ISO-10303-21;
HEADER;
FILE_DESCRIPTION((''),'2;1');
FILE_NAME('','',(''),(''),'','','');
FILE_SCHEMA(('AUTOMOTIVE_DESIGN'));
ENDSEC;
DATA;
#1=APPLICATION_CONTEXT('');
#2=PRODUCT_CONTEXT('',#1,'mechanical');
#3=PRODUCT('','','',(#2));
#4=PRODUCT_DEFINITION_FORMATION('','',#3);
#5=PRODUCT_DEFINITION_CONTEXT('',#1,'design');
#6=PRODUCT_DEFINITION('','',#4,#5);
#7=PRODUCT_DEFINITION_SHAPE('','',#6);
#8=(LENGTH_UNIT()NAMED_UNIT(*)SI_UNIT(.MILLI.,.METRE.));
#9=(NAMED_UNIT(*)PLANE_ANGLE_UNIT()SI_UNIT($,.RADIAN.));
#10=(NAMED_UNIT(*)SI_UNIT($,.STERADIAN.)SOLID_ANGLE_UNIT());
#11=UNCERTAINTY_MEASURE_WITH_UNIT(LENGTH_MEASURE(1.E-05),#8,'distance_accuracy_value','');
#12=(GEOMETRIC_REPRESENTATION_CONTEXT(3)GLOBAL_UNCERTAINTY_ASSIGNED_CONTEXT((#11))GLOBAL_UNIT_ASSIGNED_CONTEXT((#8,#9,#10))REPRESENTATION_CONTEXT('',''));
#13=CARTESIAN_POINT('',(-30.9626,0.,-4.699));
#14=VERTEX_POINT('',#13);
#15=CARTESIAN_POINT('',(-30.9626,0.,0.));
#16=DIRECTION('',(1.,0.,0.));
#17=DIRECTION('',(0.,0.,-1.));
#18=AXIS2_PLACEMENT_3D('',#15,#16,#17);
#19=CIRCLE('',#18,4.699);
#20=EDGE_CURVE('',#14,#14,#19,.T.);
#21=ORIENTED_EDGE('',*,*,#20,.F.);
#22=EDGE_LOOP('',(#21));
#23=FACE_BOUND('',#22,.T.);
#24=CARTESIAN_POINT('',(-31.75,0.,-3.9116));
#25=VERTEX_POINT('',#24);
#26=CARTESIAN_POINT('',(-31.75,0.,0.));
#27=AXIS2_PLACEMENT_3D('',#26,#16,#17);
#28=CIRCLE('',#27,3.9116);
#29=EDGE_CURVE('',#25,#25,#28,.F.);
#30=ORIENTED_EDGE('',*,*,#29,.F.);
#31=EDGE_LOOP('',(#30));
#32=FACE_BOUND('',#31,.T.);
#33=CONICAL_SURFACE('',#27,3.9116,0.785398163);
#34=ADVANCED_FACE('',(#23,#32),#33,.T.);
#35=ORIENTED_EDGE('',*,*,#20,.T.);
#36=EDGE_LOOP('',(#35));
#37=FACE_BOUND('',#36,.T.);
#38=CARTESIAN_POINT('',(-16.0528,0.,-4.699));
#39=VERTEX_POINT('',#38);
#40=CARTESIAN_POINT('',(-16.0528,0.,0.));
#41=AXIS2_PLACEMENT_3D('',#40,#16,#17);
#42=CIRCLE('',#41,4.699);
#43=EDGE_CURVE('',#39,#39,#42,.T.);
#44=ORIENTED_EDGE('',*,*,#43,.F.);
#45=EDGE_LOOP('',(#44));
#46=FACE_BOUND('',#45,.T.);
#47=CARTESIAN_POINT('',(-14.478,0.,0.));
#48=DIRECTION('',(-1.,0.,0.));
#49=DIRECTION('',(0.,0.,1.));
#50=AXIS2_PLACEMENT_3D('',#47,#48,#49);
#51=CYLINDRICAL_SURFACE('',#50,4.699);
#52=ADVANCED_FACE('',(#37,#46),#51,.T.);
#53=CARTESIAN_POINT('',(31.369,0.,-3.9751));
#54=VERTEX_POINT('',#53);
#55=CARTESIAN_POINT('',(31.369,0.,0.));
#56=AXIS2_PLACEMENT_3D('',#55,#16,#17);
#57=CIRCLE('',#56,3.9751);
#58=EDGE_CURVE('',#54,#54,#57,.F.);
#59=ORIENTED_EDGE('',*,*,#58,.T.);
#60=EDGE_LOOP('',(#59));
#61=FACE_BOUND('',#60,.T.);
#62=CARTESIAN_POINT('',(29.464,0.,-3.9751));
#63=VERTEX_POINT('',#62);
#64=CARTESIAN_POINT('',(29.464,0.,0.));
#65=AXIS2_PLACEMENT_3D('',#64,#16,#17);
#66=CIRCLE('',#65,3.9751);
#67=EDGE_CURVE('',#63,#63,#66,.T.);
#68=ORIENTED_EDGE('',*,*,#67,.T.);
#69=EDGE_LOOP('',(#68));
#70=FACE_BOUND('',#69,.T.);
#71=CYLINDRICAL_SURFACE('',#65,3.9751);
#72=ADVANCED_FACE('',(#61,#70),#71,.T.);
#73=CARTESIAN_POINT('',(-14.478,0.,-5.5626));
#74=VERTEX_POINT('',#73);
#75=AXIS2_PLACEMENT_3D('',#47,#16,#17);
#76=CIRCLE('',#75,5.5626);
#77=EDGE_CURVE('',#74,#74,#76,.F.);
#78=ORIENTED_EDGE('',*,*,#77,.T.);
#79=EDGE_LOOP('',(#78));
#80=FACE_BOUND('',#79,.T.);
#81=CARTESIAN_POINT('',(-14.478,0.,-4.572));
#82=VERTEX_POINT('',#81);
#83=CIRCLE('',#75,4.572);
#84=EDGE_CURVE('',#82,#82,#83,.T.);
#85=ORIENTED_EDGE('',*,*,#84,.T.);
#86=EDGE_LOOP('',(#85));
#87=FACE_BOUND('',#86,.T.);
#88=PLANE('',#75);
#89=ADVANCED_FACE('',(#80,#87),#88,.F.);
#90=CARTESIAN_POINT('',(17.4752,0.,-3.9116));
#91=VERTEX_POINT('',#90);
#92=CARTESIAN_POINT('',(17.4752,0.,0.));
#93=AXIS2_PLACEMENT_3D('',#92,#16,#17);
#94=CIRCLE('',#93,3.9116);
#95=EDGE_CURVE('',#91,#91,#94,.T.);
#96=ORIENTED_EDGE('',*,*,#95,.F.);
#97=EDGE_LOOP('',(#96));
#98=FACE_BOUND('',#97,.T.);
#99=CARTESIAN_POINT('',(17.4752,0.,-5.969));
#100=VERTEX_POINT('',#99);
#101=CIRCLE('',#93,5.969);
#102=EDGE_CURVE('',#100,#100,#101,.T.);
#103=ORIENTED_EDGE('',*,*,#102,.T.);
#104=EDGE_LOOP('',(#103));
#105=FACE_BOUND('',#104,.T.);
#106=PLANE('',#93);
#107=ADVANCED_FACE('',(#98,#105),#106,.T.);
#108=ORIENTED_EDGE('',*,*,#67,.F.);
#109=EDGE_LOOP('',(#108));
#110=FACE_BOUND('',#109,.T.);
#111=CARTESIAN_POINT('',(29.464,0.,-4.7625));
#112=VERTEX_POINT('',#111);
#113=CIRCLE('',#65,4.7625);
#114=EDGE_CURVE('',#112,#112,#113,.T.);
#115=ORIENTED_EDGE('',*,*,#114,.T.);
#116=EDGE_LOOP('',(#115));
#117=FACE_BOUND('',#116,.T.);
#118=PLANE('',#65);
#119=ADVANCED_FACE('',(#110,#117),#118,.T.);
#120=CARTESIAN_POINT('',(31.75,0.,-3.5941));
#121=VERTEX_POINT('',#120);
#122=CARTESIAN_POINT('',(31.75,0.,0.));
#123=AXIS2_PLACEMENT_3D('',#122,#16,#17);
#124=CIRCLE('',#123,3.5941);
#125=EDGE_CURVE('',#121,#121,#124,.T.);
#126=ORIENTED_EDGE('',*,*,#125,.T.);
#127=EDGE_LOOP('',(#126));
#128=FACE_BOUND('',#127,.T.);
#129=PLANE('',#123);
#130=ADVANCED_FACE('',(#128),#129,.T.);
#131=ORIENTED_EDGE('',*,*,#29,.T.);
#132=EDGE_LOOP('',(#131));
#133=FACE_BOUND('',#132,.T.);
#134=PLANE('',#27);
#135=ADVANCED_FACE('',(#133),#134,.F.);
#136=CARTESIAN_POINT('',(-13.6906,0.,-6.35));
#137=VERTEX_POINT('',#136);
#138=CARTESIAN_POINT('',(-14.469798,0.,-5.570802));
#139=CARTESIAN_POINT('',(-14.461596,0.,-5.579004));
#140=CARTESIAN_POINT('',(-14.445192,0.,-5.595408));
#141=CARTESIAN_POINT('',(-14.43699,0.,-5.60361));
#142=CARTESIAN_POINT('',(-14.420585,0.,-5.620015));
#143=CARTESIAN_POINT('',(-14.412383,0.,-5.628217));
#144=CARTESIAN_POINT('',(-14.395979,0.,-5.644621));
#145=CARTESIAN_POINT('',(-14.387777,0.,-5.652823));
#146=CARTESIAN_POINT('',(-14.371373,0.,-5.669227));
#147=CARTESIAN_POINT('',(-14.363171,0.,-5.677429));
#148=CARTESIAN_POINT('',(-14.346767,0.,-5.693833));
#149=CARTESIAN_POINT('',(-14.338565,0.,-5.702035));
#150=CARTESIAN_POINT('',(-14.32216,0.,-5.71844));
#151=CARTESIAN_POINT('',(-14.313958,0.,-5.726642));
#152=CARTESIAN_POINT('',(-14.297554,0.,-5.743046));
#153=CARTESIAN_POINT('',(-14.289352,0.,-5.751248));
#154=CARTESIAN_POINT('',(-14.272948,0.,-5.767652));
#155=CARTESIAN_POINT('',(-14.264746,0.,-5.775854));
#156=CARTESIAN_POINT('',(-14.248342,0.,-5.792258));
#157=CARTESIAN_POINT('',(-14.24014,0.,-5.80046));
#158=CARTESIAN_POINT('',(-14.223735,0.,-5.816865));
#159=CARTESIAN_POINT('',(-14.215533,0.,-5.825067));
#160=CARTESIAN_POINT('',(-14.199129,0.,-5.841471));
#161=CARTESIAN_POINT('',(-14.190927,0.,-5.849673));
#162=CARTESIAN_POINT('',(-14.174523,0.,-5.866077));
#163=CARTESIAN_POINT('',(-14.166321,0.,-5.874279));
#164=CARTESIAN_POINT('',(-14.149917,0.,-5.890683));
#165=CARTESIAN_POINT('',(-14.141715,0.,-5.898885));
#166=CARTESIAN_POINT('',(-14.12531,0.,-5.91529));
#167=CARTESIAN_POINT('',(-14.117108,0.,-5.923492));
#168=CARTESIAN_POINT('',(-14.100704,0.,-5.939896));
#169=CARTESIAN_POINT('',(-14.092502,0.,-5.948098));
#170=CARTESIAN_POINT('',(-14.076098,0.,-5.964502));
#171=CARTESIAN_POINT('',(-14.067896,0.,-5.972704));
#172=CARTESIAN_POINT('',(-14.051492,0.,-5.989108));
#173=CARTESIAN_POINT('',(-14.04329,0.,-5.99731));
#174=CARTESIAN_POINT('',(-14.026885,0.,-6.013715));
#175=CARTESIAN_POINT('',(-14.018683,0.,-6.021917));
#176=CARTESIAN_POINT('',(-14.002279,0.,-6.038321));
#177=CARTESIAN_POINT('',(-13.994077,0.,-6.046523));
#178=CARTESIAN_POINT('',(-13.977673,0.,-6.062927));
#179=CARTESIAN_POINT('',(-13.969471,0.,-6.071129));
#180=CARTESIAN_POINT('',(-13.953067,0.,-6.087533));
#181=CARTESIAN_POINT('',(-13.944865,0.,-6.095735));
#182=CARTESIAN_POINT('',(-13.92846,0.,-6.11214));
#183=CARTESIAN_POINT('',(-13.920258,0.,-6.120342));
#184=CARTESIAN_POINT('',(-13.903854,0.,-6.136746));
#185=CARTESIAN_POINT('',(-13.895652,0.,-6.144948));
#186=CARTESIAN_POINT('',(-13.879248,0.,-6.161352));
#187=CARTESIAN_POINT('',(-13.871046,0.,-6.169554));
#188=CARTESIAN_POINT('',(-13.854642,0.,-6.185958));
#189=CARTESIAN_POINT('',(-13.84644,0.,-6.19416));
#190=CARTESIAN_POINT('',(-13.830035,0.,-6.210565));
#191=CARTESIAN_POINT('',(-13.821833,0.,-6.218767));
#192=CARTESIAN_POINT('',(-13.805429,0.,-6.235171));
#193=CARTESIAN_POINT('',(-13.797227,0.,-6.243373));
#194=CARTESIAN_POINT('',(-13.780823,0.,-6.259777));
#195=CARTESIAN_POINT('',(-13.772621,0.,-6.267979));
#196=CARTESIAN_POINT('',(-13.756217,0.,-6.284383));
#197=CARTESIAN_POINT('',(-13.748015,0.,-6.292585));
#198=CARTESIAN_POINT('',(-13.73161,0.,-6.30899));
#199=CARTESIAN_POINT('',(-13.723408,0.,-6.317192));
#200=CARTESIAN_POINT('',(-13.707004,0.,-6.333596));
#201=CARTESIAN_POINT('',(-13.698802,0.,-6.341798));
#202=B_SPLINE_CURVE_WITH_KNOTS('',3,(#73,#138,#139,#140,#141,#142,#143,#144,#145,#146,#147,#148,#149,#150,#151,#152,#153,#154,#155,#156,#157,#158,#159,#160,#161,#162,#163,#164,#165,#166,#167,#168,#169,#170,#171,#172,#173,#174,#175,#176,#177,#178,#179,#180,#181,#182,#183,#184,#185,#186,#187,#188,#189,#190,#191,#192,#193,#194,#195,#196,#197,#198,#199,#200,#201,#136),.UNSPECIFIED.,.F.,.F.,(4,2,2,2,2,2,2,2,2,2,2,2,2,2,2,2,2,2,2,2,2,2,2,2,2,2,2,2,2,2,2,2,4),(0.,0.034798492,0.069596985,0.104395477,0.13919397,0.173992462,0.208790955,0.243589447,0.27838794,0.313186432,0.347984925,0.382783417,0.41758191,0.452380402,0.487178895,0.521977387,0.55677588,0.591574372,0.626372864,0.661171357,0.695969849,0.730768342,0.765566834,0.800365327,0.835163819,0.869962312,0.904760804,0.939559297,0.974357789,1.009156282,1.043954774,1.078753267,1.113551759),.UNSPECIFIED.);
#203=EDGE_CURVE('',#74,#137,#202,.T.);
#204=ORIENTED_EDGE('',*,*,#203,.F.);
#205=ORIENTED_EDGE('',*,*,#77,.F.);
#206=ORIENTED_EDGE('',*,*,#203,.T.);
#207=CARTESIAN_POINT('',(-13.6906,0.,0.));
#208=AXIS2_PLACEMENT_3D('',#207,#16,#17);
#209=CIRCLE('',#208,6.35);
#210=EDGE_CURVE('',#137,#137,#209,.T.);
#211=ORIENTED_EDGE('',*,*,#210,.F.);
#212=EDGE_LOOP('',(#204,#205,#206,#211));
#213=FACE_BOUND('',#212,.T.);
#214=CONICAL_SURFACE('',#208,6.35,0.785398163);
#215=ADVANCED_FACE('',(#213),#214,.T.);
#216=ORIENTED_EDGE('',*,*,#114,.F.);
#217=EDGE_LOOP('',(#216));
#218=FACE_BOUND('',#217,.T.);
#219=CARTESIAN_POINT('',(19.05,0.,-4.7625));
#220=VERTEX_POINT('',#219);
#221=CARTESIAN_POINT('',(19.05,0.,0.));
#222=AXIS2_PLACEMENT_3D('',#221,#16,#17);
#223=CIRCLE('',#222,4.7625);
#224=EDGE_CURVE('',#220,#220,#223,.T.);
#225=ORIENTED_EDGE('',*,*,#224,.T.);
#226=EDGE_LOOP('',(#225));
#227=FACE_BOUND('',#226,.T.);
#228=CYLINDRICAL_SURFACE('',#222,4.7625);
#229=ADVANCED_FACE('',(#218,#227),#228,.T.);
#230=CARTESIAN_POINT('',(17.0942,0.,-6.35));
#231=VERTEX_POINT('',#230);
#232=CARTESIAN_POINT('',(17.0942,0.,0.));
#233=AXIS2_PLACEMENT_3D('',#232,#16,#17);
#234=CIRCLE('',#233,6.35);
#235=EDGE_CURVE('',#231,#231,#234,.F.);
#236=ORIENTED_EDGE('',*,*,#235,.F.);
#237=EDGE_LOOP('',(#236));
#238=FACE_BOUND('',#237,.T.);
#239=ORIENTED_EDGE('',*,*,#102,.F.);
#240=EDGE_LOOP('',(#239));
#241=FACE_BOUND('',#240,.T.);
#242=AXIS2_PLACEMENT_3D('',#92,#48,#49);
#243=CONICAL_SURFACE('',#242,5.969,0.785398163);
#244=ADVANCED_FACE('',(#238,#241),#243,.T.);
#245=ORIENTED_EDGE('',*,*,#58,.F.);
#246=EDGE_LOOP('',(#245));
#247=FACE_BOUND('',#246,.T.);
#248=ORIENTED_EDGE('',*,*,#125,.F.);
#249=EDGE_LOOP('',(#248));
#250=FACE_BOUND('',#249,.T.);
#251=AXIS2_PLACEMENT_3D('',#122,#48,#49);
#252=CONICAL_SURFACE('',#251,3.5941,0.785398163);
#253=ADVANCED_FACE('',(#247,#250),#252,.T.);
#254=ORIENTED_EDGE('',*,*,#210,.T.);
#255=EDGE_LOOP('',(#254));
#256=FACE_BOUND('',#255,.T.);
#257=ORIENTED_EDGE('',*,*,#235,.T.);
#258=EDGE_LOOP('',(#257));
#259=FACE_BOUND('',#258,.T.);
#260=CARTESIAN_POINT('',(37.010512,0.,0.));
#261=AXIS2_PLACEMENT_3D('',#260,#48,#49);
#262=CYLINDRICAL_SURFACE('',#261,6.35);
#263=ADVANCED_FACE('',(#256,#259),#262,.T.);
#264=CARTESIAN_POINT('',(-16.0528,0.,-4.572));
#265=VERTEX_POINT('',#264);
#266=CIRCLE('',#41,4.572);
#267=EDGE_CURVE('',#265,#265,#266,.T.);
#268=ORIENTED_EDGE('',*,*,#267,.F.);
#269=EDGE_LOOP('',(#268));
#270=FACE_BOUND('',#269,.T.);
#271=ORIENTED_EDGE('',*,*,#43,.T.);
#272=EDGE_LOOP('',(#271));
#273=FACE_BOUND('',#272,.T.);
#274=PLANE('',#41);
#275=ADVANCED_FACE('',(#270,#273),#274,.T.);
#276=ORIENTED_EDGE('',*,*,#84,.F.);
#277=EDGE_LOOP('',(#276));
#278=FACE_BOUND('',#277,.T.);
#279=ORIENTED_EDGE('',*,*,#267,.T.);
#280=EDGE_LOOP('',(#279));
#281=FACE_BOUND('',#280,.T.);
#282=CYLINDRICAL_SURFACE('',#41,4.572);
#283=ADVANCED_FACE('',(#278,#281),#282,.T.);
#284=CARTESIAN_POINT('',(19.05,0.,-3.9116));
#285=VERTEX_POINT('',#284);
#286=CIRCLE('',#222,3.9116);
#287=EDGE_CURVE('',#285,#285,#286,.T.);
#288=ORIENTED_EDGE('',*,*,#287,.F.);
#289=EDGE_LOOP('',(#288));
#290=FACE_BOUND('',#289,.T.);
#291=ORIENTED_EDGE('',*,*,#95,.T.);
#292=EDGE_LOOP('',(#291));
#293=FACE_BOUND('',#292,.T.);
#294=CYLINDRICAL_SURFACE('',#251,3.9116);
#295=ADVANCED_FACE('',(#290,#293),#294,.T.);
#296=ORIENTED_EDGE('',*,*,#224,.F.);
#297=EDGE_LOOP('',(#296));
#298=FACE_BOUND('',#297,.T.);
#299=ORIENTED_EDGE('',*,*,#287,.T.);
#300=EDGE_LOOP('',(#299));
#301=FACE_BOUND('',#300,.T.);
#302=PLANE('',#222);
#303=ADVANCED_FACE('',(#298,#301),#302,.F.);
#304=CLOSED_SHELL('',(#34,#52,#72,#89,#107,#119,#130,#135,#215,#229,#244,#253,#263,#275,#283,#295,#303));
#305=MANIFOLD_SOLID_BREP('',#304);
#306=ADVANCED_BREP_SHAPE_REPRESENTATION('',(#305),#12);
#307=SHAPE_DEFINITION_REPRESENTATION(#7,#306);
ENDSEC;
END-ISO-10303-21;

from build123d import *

# Parameters (mm, degrees)
SKETCH1_R           = 3.9116
BOSS_EXTRUDE1_DEPTH = 31.75
SKETCH2_R           = 4.699
BOSS_EXTRUDE2_DEPTH = 17.272
CUT_EXTRUDE1_START  = -1.5748
SKETCH3_R           = 4.699
SKETCH3_R_2         = 4.572
CUT_EXTRUDE1_DEPTH  = 1.5748
SKETCH6_R           = 4.7625
BOSS_EXTRUDE4_DEPTH = 12.7
SKETCH7_R           = 4.7625
SKETCH7_R_2         = 3.9751
CUT_EXTRUDE2_DEPTH  = 2.286
SKETCH8_R           = 6.35
BOSS_EXTRUDE5_DEPTH = 31.9532
CHAMFER1_SIZE       = 0.7874
CHAMFER2_SIZE       = 0.381


with BuildPart() as part:
    # Sketch1 → Boss-Extrude1 (new, symmetric)
    with BuildSketch(Plane(origin=(0, 0, 0), x_dir=(0, 0, -1), z_dir=(1, 0, 0))):
        Circle(SKETCH1_R)
    extrude(amount=BOSS_EXTRUDE1_DEPTH, both=True)

    # Sketch2 → Boss-Extrude2 (add)
    with BuildSketch(Plane.ZY.offset(31.75)):
        Circle(SKETCH2_R)
    extrude(amount=-BOSS_EXTRUDE2_DEPTH)

    # Sketch3 → Cut-Extrude1 (cut)
    with BuildSketch(Plane(origin=(-14.478, 0, 0), x_dir=(0, 0, -1), z_dir=(1, 0, 0)).offset(CUT_EXTRUDE1_START)):
        with Locations(Location((0, 0, 0), (0, 0, 180))):
            Circle(SKETCH3_R)
        Circle(SKETCH3_R_2, mode=Mode.SUBTRACT)
    extrude(amount=CUT_EXTRUDE1_DEPTH, mode=Mode.SUBTRACT)

    # Sketch6 → Boss-Extrude4 (add)
    with BuildSketch(Plane(origin=(31.75, 0, 0), x_dir=(0, 0, -1), z_dir=(1, 0, 0))):
        Circle(SKETCH6_R)
    extrude(amount=-BOSS_EXTRUDE4_DEPTH)

    # Sketch7 → Cut-Extrude2 (cut)
    with BuildSketch(Plane(origin=(31.75, 0, 0), x_dir=(0, 0, -1), z_dir=(1, 0, 0))):
        Circle(SKETCH7_R)
        Circle(SKETCH7_R_2, mode=Mode.SUBTRACT)
    extrude(amount=-CUT_EXTRUDE2_DEPTH, mode=Mode.SUBTRACT)

    # Sketch8 → Boss-Extrude5 (add)
    with BuildSketch(Plane(origin=(-14.478, 0, 0), x_dir=(0, 0, -1), z_dir=(1, 0, 0))):
        Circle(SKETCH8_R)
    extrude(amount=BOSS_EXTRUDE5_DEPTH)

    # Chamfer1
    chamfer1_edges = [part.edges().sort_by_distance(p)[0] for p in [
        (-14.478, 0, 6.35),
        (-31.75, 0, -4.699),
    ]]
    chamfer(chamfer1_edges, length=CHAMFER1_SIZE)

    # Chamfer2
    chamfer2_edges = [part.edges().sort_by_distance(p)[0] for p in [
        (31.75, 0, 3.9751),
        (17.4752, 0, 6.35),
    ]]
    chamfer(chamfer2_edges, length=CHAMFER2_SIZE)


solid = part.part
